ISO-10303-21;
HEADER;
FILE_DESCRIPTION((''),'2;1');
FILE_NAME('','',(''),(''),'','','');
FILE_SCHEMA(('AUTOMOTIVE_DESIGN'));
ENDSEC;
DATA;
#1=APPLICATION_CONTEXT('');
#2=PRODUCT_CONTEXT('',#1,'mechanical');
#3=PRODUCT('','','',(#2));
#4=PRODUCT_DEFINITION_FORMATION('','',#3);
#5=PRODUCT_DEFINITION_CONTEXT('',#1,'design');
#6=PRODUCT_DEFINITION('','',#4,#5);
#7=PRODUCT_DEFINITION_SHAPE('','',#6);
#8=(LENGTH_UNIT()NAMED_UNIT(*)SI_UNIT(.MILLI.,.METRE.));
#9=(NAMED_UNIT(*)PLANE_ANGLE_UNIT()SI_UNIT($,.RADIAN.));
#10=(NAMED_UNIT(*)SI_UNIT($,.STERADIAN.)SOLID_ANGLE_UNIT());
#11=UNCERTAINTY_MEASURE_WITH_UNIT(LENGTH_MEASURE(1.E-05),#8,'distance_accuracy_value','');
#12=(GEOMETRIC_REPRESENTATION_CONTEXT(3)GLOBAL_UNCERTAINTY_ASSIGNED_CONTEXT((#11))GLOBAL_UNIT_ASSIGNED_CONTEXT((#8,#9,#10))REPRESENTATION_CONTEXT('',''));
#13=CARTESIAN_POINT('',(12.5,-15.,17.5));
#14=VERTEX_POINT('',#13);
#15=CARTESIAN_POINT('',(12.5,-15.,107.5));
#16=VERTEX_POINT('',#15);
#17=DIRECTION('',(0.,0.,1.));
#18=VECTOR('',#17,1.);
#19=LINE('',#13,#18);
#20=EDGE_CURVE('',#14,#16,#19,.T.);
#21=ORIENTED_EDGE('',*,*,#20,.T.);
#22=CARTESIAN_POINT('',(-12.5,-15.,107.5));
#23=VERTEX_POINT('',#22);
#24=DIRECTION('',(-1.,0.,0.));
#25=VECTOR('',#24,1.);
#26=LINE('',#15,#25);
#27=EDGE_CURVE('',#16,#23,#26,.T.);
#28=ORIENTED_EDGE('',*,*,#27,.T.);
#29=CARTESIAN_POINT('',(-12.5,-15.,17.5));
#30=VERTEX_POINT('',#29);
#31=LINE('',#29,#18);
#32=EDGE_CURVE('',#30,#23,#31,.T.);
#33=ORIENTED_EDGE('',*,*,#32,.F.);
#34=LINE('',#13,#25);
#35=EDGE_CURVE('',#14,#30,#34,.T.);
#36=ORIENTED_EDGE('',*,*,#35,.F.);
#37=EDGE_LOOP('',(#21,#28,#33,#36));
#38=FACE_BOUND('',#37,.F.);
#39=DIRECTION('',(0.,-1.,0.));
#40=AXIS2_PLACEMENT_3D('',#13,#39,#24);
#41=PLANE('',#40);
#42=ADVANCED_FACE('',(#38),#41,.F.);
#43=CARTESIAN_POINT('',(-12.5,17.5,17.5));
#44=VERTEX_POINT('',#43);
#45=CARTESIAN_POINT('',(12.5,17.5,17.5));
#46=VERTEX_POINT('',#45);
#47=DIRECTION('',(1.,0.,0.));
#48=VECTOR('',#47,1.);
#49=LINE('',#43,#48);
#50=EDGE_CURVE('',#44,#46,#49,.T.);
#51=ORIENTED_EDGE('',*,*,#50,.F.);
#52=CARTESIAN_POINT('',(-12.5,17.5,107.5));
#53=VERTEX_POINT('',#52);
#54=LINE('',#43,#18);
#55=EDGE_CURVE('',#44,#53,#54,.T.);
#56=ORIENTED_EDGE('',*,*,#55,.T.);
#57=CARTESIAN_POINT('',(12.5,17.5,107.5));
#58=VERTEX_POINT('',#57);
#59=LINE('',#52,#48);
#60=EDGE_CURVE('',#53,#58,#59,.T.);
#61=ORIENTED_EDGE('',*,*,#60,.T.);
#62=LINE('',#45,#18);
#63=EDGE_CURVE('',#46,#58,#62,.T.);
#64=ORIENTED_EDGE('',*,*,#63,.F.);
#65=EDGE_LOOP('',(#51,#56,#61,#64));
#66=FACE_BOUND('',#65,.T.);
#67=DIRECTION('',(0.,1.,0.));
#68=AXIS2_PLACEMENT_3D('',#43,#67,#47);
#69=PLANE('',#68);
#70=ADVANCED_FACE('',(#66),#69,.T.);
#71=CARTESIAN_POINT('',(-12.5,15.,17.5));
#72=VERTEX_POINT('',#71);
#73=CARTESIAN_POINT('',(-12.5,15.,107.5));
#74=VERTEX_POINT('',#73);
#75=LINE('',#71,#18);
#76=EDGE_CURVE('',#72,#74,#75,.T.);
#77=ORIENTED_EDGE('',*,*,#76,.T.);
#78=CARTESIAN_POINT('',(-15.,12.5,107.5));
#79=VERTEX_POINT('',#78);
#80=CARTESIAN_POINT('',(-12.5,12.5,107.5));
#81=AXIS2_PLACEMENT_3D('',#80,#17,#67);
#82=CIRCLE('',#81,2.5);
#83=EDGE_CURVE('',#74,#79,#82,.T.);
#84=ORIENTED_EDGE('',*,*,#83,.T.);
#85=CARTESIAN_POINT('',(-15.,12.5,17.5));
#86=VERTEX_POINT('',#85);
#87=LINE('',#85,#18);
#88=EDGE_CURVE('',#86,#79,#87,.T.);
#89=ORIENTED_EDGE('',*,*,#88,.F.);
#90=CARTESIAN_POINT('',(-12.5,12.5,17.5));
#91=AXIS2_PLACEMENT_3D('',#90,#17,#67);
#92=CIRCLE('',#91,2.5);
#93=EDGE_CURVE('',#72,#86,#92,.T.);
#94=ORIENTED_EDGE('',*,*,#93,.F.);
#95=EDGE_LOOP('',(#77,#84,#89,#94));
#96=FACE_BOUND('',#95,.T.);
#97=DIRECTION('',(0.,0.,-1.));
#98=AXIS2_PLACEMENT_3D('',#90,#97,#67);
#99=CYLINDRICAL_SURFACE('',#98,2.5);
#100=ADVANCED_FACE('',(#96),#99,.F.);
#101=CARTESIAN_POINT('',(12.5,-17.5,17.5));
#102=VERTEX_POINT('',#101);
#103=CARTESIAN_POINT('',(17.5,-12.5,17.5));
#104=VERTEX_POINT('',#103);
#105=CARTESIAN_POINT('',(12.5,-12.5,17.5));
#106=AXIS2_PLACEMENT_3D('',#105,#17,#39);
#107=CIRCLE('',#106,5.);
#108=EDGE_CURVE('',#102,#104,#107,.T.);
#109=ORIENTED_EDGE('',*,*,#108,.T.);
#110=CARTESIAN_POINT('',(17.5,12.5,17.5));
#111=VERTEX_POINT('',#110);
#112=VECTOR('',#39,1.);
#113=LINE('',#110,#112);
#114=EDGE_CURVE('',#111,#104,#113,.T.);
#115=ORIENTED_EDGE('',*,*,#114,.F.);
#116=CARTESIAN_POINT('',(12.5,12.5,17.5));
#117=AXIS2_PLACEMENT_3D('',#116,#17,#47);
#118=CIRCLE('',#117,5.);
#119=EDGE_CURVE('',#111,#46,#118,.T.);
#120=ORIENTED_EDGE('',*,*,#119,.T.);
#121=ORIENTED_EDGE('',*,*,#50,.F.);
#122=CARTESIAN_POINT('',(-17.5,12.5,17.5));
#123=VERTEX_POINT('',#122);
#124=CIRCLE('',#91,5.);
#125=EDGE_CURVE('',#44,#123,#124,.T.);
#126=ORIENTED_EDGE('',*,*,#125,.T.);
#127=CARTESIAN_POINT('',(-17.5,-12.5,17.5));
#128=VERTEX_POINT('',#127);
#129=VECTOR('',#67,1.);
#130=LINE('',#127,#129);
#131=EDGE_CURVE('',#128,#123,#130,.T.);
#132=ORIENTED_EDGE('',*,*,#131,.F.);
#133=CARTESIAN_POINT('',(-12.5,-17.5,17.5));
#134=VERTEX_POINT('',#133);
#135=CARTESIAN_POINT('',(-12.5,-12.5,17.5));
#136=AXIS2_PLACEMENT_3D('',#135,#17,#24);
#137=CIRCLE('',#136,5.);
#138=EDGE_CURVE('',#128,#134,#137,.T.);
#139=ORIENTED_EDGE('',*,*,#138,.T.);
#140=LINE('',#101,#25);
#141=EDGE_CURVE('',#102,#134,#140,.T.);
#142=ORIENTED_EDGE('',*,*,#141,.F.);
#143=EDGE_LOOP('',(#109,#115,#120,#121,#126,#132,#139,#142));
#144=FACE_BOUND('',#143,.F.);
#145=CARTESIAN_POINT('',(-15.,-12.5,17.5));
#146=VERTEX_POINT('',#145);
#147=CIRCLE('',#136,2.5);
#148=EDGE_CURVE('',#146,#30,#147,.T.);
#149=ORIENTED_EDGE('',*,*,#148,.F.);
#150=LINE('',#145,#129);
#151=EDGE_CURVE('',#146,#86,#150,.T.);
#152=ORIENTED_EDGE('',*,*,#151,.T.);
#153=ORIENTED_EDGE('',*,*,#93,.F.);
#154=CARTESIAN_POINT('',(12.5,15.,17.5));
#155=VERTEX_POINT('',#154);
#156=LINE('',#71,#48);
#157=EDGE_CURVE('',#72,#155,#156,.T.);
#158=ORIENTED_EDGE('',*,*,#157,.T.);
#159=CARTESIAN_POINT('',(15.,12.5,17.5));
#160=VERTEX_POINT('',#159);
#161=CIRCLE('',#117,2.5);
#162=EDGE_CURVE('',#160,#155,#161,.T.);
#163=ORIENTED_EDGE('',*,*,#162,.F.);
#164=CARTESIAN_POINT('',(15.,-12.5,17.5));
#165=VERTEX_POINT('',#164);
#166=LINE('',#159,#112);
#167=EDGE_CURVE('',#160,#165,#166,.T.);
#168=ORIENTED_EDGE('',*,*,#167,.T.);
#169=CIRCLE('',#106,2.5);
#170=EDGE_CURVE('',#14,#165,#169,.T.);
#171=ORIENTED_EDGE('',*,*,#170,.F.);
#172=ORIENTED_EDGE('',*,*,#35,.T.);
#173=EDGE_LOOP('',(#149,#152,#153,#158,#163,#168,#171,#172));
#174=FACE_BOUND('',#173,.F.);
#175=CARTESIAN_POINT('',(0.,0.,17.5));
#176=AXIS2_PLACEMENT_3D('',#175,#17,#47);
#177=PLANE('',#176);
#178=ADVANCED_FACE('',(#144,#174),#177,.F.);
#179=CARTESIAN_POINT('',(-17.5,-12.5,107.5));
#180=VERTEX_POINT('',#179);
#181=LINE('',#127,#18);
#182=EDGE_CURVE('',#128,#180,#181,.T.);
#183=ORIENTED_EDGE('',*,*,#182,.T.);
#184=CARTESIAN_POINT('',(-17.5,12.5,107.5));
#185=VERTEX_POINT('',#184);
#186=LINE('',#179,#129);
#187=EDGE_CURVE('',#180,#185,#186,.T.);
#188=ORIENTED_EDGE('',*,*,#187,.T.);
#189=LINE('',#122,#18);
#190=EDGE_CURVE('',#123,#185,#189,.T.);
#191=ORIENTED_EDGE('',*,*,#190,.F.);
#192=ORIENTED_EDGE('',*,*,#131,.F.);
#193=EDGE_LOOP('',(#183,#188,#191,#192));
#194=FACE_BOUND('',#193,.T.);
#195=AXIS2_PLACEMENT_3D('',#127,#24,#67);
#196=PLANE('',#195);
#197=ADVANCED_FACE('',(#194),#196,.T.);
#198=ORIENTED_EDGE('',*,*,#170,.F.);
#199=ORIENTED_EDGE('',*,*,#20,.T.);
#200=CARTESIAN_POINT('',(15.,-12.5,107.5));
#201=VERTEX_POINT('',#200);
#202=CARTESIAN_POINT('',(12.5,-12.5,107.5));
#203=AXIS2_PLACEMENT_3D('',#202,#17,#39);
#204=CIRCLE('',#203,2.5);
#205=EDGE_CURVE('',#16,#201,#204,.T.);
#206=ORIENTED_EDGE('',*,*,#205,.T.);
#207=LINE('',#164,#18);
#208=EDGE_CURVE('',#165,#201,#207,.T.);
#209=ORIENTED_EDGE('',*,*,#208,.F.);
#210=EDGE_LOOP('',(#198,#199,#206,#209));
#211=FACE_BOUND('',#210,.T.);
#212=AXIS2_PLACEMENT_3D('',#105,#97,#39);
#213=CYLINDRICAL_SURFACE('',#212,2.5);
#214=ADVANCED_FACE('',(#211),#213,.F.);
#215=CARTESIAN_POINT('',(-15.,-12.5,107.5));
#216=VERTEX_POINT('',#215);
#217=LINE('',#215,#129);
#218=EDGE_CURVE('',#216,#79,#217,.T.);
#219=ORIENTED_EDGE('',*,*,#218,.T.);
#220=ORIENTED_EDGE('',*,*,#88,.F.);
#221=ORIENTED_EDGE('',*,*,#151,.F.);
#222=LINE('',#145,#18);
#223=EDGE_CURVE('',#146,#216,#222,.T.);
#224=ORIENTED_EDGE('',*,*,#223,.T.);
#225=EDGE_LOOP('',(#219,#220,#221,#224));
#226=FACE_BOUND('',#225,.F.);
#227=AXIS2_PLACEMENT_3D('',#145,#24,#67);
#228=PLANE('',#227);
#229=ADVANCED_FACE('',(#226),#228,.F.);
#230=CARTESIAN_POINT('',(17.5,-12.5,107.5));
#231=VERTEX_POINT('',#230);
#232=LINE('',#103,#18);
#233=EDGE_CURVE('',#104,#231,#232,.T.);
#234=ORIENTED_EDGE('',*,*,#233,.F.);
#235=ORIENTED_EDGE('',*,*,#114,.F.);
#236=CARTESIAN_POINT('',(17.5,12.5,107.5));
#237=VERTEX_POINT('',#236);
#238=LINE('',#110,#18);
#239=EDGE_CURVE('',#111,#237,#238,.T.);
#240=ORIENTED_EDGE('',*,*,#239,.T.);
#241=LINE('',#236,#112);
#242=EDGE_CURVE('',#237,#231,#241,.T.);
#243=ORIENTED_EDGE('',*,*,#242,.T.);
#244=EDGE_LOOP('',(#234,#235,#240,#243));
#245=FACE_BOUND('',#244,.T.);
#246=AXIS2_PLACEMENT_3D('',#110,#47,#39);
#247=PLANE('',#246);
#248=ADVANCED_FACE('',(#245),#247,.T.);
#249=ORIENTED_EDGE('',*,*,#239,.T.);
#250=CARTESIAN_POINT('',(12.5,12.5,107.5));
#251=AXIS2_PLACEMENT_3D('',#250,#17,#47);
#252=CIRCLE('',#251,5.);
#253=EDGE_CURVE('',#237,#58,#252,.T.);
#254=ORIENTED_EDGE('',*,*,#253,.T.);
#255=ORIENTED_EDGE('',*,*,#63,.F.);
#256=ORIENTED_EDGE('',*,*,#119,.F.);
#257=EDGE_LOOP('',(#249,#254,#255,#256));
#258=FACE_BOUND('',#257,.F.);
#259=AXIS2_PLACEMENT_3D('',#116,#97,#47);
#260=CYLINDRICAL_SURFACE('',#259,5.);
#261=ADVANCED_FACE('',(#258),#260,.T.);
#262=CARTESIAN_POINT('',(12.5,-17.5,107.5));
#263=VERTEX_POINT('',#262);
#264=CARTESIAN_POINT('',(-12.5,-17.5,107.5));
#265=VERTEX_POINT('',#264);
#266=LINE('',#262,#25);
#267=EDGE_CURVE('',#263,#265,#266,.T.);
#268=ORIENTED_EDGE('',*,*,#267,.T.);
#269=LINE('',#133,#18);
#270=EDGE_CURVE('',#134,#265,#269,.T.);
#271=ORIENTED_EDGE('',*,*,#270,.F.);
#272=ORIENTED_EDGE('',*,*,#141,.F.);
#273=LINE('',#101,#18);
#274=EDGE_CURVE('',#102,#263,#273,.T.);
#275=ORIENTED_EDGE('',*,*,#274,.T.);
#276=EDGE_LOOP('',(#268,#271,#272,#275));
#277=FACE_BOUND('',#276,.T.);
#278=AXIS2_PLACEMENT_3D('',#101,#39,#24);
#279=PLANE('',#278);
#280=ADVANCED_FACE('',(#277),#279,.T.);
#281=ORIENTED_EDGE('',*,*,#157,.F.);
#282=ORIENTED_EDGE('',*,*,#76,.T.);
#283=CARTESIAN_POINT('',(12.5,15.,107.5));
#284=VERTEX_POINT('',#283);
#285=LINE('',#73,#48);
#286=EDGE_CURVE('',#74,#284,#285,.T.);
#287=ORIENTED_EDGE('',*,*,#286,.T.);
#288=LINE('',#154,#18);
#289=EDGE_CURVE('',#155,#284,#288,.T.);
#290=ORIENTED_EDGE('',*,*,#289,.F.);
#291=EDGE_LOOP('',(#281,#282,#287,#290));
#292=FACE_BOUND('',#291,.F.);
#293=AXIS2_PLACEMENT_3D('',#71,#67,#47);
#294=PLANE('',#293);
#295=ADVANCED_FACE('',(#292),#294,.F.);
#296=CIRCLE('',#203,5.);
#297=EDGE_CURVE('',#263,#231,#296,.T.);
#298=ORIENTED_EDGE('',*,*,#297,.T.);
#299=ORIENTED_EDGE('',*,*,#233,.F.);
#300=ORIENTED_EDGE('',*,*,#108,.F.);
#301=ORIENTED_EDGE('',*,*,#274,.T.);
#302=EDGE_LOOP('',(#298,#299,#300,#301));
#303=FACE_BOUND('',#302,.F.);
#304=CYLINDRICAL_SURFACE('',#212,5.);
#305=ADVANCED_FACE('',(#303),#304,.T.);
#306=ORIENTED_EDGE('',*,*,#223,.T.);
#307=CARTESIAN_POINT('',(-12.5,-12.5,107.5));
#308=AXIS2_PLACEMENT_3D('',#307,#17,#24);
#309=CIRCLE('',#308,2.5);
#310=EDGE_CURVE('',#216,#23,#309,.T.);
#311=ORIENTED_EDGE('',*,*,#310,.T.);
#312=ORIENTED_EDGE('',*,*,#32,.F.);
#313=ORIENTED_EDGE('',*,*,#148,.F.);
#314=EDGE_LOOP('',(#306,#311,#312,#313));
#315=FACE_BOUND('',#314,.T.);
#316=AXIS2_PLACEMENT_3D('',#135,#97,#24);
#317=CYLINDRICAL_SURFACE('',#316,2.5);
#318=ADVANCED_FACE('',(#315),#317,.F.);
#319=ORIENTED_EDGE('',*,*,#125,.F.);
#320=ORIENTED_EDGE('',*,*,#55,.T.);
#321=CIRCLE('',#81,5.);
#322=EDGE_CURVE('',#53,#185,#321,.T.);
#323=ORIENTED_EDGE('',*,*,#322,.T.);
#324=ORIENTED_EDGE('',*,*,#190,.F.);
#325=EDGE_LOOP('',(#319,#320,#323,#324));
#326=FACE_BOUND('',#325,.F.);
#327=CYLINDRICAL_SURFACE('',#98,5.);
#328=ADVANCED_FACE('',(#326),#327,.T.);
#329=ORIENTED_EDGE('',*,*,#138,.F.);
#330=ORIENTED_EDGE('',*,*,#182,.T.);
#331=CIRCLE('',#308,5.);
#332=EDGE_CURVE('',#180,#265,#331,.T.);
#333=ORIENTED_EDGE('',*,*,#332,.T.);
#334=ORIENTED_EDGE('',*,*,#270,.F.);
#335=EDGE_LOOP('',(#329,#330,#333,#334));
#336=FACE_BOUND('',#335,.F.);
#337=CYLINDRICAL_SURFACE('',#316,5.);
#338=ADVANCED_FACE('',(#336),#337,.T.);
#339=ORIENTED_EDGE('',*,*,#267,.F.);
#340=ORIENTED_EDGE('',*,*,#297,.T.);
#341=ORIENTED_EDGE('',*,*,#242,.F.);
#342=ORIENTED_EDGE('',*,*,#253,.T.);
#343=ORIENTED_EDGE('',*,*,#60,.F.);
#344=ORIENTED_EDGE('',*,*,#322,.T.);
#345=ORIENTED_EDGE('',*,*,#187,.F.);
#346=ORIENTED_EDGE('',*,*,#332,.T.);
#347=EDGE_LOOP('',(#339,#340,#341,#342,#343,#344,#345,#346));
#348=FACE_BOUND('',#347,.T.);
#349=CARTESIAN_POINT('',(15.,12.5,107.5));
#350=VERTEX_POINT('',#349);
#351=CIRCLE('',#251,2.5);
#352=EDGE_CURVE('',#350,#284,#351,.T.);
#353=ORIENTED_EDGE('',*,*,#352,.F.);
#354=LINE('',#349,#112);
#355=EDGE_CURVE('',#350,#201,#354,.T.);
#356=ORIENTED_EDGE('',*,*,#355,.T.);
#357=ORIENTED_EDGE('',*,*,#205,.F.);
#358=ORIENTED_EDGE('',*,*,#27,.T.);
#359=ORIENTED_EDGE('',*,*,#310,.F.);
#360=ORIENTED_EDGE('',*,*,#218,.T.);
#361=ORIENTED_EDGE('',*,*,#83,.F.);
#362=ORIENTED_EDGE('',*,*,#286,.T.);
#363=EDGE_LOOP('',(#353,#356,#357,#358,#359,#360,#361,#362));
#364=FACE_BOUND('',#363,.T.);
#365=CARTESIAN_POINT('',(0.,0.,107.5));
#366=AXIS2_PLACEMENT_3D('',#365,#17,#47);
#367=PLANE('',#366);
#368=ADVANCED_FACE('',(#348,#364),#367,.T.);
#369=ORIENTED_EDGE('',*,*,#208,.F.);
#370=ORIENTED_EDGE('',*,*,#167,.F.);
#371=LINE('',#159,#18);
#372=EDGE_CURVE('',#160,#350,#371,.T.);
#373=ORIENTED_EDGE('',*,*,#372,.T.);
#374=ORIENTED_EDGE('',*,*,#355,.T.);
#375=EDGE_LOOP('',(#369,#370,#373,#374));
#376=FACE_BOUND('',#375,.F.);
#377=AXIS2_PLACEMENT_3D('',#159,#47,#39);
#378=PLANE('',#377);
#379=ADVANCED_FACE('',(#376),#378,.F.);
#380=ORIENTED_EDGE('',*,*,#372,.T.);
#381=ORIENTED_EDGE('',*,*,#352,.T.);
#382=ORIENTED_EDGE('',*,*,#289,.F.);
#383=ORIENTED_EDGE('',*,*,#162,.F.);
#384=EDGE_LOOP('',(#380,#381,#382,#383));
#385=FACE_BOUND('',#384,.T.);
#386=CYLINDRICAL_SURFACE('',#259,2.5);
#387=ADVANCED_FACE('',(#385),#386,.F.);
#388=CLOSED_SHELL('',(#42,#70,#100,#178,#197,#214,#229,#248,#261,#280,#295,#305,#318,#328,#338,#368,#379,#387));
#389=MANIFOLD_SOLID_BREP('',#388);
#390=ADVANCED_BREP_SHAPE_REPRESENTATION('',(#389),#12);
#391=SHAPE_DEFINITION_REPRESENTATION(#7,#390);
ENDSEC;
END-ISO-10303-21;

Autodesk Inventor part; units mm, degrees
ref_plane "Start plane" through (0, 0, 17.5) normal (0, 0, 1) x (1, 0, 0)
ref_plane "End plane" through (0, 0, 107.5) normal (0, 0, 1) x (1, 0, 0)
sketch "Sketch" plane through (0, 0, 0) normal (0, 0, 1) x (1, 0, 0)
  line L0 (-17.5, -12.5) -> (-17.5, 12.5)
  line L1 (-12.5, 17.5) -> (12.5, 17.5)
  line L2 (17.5, 12.5) -> (17.5, -12.5)
  line L3 (12.5, -17.5) -> (-12.5, -17.5)
  arc A0 (-17.5, -12.5) -> (-12.5, -17.5) centre (-12.5, -12.5) ccw
  arc A1 (-12.5, 17.5) -> (-17.5, 12.5) centre (-12.5, 12.5) ccw
  arc A2 (17.5, 12.5) -> (12.5, 17.5) centre (12.5, 12.5) ccw
  arc A3 (12.5, -17.5) -> (17.5, -12.5) centre (12.5, -12.5) ccw
  arc A4 (-12.5, 15) -> (-15, 12.5) centre (-12.5, 12.5) ccw
  line L4 (-12.5, 15) -> (12.5, 15)
  arc A5 (15, 12.5) -> (12.5, 15) centre (12.5, 12.5) ccw
  line L5 (15, 12.5) -> (15, -12.5)
  arc A6 (12.5, -15) -> (15, -12.5) centre (12.5, -12.5) ccw
  line L6 (12.5, -15) -> (-12.5, -15)
  arc A7 (-15, -12.5) -> (-12.5, -15) centre (-12.5, -12.5) ccw
  line L7 (-15, -12.5) -> (-15, 12.5)
  line L8 (0, 25.4278) -> (0, -25.4278) construction
  line L9 (-25.4278, 0) -> (25.4278, 0) construction
  dimension "d7" = 5
  dimension "d10" = 35
  dimension "d11" = 35
  dimension "d12" = 2.5
  dimension "d15" = 17.5
  dimension "d16" = 17.5
extrude "Body" add sketch "Sketch" along normal up to surface (90 mm away) from surface at 17.5
sketch "Sketch3" plane through (0, 0, 0) normal (0, 0, 1) x (1, 0, 0)
  line L0 (0, 0) -> (10, 0)
ref_plane "Work Plane3" through (0, 0, 0) normal (0, -1, 0) x (1, 0, 0)
sketch "Sketch4" plane through (0, 0, 0) normal (0, -1, 0) x (1, 0, 0)
  line L0 (-2, 17.5) -> (12, 17.5)
  line L1 (-2, 107.5) -> (12, 107.5)
  dimension "d18" = 90
ref_plane "Work Plane4" through (-17.5, 0, 17.5) normal (0, 0, -1) x (-1, 0, 0)
split "Split1" plane through (-17.5, 0, 17.5) removes the side toward (0, 0, -1)
ref_plane "Work Plane5" through (-17.5, 0, 107.5) normal (0, 0, 1) x (1, 0, 0)
split "Split2" plane through (-17.5, 0, 107.5) removes the side toward (0, 0, 1)
equation "\"d7\" = G_IR"
equation "\"d10\" = G_H"
equation "\"d11\" = G_W"
equation "\"d12\" = G_T"
equation "\"d15\" = 0.5 * d10"
equation "\"d16\" = 0.5 * d11"
equation "\"d3\" = G_L"
equation "\"G_W\" = 35"
equation "\"G_H\" = 35"
equation "\"G_T\" = 2.5"
equation "\"G_IR\" = 5"
equation "\"G_L\" = d18"
equation "\"G_OFFSET_START\" = -17.5"
equation "\"G_OFFSET_END\" = -17.5"
equation "\"d13\" = -G_OFFSET_START"
equation "\"d14\" = G_OFFSET_END + B_L"
equation "\"B_L\" = 125"
properties part number "AS 1163 - C350L0 35x35x2.5 SHS - 90" material "Steel, Mild"
